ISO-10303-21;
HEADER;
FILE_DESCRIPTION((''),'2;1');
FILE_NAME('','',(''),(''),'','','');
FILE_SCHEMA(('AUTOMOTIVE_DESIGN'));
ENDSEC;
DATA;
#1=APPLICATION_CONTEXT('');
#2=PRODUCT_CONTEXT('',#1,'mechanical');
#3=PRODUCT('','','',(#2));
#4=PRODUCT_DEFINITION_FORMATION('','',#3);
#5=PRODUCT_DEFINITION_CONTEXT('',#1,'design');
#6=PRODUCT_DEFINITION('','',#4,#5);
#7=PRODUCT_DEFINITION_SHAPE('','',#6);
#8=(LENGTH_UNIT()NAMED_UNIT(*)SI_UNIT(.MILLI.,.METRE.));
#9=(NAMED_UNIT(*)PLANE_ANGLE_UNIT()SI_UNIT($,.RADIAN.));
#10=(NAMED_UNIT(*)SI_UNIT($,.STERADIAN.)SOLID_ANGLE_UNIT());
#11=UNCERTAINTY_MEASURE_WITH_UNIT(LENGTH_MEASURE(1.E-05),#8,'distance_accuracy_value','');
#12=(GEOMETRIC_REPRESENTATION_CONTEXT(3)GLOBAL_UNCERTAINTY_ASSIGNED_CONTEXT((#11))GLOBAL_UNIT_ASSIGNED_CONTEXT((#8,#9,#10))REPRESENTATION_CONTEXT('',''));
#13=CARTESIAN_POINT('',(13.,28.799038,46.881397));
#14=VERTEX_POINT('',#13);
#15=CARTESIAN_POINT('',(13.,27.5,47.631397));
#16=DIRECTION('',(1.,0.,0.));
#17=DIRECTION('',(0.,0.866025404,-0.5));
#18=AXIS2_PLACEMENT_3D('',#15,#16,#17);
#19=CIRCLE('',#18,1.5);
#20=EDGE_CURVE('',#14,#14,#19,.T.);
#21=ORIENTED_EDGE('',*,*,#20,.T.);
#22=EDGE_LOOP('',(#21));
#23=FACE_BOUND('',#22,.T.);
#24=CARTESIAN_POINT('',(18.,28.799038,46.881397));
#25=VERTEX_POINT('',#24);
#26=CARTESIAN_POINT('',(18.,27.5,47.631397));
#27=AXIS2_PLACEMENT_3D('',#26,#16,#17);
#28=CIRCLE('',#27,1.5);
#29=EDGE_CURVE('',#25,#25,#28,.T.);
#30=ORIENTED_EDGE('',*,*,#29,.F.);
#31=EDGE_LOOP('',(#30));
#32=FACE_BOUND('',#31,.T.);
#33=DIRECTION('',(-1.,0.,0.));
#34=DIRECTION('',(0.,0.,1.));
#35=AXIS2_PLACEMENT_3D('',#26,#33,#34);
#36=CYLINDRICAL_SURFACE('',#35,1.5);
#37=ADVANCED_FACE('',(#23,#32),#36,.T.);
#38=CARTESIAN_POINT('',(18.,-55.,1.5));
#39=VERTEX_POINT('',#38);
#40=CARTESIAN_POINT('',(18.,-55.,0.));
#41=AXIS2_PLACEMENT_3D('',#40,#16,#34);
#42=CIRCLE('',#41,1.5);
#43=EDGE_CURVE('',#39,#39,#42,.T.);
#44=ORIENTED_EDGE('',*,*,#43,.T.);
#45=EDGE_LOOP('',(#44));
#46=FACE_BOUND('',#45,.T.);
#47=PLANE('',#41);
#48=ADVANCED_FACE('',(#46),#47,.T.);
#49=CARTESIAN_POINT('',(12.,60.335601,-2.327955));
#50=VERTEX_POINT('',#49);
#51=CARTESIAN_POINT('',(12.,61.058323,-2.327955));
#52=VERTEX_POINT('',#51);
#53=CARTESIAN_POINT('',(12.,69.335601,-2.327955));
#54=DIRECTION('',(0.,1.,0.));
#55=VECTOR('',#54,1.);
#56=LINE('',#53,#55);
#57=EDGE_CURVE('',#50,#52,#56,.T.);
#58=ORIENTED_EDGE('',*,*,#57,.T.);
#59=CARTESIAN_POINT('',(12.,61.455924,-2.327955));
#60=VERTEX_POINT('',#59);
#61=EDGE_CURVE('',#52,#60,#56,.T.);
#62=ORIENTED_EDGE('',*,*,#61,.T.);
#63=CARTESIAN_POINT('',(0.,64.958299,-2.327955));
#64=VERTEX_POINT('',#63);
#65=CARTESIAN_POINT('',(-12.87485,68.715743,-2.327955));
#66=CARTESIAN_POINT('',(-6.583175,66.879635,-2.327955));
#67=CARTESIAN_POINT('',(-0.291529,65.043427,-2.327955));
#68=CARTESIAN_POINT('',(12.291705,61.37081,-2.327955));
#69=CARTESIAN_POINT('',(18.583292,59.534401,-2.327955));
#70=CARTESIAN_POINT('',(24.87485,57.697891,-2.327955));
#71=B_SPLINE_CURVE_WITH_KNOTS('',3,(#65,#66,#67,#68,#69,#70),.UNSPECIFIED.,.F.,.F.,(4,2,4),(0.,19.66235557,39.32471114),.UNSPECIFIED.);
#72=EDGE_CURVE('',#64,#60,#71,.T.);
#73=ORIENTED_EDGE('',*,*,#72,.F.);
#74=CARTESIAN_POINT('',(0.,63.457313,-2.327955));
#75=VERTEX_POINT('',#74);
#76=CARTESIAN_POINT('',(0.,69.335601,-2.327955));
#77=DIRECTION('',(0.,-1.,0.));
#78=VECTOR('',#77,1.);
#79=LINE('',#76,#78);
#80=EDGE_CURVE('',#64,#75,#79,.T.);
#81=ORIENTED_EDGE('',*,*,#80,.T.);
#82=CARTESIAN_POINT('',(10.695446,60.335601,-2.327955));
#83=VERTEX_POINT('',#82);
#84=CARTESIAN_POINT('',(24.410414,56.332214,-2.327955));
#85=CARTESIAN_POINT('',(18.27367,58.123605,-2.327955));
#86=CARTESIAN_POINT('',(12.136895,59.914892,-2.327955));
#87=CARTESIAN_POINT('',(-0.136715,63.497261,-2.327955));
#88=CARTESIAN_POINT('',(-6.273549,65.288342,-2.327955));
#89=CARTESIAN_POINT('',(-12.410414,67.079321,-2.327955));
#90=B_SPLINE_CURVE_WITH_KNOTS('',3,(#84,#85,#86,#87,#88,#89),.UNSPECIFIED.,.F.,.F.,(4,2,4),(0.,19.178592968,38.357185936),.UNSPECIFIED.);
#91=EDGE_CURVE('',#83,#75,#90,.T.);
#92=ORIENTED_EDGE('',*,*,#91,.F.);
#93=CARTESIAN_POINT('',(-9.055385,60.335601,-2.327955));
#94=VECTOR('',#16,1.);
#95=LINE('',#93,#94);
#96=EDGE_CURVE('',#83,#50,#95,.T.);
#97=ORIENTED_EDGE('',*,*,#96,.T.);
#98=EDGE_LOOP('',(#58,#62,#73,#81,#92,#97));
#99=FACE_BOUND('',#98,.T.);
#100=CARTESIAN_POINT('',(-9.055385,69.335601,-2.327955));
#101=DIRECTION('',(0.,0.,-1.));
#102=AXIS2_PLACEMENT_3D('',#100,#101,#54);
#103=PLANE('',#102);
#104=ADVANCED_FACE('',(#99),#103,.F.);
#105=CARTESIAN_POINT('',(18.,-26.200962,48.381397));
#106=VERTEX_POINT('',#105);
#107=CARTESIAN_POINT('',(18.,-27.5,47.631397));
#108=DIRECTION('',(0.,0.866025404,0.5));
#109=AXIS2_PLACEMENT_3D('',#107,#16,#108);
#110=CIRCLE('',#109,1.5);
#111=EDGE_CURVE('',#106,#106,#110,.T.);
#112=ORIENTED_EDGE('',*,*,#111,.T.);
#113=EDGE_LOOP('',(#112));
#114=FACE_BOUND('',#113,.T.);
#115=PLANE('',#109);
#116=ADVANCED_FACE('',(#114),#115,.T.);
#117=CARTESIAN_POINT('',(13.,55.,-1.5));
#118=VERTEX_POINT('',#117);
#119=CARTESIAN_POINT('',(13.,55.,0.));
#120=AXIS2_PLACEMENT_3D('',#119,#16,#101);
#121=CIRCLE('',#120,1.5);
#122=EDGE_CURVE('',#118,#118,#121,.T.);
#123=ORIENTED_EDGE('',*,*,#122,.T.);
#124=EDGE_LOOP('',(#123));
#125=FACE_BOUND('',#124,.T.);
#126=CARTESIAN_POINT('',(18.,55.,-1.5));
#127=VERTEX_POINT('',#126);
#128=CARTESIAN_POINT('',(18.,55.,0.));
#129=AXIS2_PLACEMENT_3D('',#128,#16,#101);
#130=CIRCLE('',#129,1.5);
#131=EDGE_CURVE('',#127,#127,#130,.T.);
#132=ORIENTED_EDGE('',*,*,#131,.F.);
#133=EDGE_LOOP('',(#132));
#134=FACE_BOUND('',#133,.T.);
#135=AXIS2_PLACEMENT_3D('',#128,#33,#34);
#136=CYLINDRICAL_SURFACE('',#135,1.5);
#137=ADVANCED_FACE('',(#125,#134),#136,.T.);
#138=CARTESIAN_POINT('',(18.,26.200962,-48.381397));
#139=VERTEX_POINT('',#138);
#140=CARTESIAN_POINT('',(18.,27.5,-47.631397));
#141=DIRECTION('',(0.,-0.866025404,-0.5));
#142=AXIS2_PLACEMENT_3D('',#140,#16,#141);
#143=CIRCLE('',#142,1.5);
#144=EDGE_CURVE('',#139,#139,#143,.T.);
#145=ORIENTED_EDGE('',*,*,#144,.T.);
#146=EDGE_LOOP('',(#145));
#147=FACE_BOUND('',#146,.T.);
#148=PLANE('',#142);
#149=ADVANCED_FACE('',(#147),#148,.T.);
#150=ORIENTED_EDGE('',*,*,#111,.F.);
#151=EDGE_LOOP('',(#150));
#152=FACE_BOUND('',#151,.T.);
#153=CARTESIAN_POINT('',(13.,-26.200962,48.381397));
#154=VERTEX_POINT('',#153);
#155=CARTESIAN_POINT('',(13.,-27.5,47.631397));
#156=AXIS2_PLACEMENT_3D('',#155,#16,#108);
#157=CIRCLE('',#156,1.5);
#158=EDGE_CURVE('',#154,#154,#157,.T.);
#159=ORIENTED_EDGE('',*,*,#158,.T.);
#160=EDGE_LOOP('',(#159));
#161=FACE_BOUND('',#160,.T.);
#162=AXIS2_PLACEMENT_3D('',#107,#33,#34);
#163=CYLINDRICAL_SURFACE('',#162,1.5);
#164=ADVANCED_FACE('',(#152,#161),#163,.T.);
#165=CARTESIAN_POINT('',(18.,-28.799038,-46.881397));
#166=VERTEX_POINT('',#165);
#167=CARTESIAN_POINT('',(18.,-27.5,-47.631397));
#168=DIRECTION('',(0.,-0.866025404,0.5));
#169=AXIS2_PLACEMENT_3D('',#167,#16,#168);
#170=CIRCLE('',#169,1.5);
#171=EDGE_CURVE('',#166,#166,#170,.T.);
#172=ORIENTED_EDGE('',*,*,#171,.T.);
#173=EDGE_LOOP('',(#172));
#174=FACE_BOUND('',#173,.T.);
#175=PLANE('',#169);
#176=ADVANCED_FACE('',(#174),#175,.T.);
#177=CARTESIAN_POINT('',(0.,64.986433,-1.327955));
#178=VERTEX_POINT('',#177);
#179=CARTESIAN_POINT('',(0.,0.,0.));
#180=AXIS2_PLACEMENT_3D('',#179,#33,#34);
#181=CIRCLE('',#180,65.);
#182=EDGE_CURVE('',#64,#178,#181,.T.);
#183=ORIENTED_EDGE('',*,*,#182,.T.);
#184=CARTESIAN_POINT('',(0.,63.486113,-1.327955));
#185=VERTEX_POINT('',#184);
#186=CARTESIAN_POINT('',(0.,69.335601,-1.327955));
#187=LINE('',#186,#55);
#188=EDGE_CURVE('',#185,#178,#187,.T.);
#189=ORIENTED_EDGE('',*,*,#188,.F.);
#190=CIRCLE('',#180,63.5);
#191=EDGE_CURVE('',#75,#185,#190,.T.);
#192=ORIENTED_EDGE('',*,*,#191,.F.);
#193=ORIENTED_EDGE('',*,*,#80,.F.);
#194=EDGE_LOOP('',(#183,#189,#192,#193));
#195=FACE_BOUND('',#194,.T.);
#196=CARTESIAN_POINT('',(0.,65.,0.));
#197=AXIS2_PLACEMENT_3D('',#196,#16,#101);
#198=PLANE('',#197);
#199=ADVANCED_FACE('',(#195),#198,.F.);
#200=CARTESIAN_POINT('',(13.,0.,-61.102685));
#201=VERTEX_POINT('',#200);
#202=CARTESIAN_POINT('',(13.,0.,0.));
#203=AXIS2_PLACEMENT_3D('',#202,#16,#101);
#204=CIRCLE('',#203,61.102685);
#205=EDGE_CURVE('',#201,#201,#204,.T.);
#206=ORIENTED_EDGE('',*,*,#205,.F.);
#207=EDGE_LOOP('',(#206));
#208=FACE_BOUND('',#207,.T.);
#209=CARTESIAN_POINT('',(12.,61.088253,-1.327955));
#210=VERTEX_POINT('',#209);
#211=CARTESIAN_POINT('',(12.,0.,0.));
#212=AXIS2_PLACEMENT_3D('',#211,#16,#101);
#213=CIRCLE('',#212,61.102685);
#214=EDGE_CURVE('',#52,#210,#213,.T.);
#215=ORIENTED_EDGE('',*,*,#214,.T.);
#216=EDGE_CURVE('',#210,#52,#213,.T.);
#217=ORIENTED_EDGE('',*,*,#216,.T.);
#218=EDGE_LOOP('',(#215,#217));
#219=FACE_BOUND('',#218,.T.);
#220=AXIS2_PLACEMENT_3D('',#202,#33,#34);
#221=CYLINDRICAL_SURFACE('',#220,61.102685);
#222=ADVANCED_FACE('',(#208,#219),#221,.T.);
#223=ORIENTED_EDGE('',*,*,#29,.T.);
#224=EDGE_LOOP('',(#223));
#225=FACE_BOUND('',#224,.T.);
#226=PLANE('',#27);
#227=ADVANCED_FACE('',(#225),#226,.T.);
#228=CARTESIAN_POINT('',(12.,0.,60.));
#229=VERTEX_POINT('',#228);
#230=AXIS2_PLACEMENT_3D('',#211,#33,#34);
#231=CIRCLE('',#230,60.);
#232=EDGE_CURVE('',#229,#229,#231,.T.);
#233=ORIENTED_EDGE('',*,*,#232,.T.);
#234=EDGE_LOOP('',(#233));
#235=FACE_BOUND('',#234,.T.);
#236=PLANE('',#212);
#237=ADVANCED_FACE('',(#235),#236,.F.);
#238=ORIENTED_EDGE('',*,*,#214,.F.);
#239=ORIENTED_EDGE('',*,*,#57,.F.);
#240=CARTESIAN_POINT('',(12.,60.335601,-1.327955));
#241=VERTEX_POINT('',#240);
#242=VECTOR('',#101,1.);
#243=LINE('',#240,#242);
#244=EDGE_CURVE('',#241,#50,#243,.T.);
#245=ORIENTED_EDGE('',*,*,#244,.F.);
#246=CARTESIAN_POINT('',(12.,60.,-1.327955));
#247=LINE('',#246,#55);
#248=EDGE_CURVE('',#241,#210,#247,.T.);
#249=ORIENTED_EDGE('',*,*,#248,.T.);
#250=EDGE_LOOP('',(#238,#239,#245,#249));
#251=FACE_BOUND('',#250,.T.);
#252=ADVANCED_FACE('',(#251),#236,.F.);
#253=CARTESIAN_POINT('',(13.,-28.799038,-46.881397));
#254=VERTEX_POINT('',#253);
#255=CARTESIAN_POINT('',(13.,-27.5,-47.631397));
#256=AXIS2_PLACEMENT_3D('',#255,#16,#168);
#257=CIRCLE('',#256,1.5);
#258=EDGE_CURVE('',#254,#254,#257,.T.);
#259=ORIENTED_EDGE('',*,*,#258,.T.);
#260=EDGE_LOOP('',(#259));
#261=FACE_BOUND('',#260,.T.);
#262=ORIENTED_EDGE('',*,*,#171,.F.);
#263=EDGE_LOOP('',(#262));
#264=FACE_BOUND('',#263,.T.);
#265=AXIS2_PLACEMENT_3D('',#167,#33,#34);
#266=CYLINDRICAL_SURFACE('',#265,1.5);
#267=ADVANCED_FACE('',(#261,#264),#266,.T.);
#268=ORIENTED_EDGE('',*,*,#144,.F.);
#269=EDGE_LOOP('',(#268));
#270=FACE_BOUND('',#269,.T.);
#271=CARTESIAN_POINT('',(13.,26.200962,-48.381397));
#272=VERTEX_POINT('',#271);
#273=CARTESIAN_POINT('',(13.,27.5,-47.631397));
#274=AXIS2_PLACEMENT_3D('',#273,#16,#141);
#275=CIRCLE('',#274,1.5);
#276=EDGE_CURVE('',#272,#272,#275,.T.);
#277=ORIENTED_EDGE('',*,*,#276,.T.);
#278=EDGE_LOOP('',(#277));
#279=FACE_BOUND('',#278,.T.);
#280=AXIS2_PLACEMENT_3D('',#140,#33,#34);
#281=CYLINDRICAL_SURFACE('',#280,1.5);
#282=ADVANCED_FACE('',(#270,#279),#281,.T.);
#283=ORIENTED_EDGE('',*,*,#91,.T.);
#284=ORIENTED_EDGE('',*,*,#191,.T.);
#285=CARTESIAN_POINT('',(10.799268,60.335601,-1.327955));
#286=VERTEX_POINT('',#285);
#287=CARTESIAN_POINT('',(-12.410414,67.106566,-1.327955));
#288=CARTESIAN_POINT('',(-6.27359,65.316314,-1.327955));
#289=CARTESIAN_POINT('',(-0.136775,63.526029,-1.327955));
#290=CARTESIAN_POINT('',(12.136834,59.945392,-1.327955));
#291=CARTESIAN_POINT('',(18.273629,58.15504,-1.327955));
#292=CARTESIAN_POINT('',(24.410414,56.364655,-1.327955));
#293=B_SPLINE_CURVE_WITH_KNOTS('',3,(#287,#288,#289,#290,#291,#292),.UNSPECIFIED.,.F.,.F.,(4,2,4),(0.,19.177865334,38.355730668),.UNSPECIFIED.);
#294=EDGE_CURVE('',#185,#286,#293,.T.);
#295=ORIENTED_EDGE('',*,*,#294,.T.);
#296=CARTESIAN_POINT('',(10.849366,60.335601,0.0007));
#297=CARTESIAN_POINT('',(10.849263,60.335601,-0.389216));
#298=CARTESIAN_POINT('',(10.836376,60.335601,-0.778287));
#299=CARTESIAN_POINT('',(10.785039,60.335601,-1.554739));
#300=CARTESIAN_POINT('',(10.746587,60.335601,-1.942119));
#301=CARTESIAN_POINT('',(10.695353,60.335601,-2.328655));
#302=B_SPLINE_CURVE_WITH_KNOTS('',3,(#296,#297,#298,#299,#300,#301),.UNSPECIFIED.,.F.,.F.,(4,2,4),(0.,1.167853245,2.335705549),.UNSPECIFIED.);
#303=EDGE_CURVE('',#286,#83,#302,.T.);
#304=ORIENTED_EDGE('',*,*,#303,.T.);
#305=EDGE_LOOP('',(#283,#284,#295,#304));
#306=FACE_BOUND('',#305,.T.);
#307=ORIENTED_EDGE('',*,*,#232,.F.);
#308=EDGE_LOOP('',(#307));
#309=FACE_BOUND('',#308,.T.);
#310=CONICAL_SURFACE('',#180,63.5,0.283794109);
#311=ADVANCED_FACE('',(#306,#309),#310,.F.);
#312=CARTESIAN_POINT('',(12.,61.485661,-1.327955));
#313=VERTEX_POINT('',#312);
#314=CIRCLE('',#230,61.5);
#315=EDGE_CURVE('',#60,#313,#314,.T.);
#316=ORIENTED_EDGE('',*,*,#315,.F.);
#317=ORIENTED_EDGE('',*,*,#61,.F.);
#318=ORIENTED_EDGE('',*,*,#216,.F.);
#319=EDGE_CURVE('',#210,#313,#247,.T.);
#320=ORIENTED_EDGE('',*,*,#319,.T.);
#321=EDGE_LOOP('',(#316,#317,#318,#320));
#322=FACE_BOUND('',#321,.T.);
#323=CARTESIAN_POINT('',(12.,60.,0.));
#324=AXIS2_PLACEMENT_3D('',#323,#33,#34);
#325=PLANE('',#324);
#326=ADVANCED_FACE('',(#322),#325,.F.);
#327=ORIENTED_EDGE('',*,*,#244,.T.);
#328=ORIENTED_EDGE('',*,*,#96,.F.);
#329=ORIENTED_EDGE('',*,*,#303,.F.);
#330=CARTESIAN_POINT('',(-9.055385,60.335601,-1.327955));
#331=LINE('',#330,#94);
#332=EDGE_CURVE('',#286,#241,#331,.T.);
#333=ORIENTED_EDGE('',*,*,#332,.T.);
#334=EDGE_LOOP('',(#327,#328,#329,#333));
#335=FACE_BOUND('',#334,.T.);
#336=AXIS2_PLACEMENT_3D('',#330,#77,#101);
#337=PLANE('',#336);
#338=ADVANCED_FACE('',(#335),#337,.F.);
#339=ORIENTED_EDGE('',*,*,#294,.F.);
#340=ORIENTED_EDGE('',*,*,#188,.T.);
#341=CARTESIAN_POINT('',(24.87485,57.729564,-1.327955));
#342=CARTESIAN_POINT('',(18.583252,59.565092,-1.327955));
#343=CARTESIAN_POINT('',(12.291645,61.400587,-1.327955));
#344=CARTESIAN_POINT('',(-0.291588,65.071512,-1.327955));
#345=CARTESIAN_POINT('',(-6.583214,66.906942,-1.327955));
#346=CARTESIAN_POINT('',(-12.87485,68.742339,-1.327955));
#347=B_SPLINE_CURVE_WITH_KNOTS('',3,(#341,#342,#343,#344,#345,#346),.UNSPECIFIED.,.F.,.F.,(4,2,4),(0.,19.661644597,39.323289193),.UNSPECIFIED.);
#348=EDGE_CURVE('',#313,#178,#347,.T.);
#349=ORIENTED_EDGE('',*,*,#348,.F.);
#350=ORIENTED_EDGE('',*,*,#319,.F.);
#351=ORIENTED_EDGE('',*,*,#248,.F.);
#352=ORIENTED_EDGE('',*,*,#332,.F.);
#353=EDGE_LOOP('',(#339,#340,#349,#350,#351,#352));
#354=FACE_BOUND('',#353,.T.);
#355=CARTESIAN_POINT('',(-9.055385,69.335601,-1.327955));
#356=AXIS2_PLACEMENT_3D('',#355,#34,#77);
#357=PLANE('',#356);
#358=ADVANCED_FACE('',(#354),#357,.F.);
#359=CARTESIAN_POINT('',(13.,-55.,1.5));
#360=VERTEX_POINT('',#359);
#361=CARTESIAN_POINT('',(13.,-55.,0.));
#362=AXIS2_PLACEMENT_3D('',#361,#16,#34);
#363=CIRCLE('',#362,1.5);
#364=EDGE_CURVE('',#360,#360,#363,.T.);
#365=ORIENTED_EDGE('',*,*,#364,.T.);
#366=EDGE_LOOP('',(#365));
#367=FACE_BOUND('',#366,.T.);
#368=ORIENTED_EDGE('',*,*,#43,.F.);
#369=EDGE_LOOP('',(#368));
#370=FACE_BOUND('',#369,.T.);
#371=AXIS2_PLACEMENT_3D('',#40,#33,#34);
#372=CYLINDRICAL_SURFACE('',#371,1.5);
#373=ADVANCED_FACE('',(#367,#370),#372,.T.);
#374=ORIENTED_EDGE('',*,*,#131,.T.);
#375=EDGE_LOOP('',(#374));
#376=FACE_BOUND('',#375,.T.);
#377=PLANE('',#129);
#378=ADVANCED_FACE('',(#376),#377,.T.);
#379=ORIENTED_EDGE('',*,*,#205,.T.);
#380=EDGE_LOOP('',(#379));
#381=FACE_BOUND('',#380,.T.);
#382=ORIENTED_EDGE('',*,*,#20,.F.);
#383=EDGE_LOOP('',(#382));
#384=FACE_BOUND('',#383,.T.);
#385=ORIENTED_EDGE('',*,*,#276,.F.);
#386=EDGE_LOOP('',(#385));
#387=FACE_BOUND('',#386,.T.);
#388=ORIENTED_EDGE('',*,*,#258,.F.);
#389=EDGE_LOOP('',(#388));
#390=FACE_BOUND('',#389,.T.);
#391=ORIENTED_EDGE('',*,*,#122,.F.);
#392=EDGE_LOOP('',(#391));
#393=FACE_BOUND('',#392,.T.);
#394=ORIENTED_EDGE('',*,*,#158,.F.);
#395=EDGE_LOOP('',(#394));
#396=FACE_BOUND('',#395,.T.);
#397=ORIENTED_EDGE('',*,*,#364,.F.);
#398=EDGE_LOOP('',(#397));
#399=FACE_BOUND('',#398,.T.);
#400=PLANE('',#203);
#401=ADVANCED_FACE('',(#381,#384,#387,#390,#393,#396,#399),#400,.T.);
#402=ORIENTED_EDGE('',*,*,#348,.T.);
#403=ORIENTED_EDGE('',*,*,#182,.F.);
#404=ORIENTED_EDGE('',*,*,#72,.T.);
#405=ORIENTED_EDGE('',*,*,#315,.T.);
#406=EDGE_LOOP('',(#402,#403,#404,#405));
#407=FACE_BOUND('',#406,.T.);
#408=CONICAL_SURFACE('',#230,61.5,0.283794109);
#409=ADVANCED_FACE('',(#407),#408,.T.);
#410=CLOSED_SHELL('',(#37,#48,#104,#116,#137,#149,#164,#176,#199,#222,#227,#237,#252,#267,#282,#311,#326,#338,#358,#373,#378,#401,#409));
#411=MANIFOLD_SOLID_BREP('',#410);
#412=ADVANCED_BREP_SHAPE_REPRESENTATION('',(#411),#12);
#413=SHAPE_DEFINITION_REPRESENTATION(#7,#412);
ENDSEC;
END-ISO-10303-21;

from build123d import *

# Parameters (mm, degrees)
CUT_EXTRUDE1_REACH  = 94.704
SKETCH3_W           = 1
SKETCH3_H           = 9
SKETCH7_R           = 61.102685311
BOSS_EXTRUDE1_DEPTH = 1
SKETCH8_R           = 1.5
BOSS_EXTRUDE2_DEPTH = 5
CIRPATTERN1_COUNT   = 6


with BuildPart() as part:
    # Sketch2 → Revolve1 (revolve)
    with BuildSketch(Plane.XY, mode=Mode.PRIVATE) as revolve1_sk:
        Polygon((0, 65), (0, 63.5), (12, 60), (12, 61.5), align=None)
    revolve(revolve1_sk.sketch.rotate(Axis((0, 0, 0), (1, 0, 0)), 90), axis=Axis((0, 0, 0), (1, 0, 0)))

    # Cut-Extrude1: up to this face of the body (flat: up to its plane)
    cut_extrude1_end = Plane(part.part.faces().sort_by_distance((0, 0, -64.816152237))[0])
    # Sketch3 → Cut-Extrude1 (cut, up to the picked face)
    with BuildSketch(Plane(origin=(12, 0, 0), x_dir=(0, 0, -1), z_dir=(1, 0, 0)), mode=Mode.PRIVATE) as cut_extrude1_sk1:
        with Locations((1.827954501, 64.835601496)):
            Rectangle(SKETCH3_W, SKETCH3_H)
    cut_extrude1_tool1 = split(extrude(cut_extrude1_sk1.sketch, amount=-CUT_EXTRUDE1_REACH, mode=Mode.PRIVATE), bisect_by=cut_extrude1_end, keep=Keep.BOTH, mode=Mode.PRIVATE)
    add(cut_extrude1_tool1.solids().sort_by(Axis((12, 64.835601, -1.827955), (-1, 0, 0)))[0], mode=Mode.SUBTRACT)

    # Sketch7 → Boss-Extrude1 (add)
    with BuildSketch(Plane(origin=(12, 0, 0), x_dir=(0, 0, -1), z_dir=(1, 0, 0))):
        with Locations(Location((0, 0, 0), (0, 0, 88.754683549))):
            Circle(SKETCH7_R)
    extrude(amount=BOSS_EXTRUDE1_DEPTH)

    # Sketch8 → Boss-Extrude2 (add)
    with BuildSketch(Plane(origin=(13, 0, 0), x_dir=(0, 0, -1), z_dir=(1, 0, 0))):
        with Locations((0, 55)):
            Circle(SKETCH8_R)
    boss_extrude2 = extrude(amount=BOSS_EXTRUDE2_DEPTH)

    # CirPattern1: Boss-Extrude2 ×6 about axis
    cirpattern1_axis = Axis((0, 0, 0), (1, 0, 0))
    for i in range(1, CIRPATTERN1_COUNT):
        add(boss_extrude2.rotate(cirpattern1_axis, i * 360 / CIRPATTERN1_COUNT))


solid = part.part
